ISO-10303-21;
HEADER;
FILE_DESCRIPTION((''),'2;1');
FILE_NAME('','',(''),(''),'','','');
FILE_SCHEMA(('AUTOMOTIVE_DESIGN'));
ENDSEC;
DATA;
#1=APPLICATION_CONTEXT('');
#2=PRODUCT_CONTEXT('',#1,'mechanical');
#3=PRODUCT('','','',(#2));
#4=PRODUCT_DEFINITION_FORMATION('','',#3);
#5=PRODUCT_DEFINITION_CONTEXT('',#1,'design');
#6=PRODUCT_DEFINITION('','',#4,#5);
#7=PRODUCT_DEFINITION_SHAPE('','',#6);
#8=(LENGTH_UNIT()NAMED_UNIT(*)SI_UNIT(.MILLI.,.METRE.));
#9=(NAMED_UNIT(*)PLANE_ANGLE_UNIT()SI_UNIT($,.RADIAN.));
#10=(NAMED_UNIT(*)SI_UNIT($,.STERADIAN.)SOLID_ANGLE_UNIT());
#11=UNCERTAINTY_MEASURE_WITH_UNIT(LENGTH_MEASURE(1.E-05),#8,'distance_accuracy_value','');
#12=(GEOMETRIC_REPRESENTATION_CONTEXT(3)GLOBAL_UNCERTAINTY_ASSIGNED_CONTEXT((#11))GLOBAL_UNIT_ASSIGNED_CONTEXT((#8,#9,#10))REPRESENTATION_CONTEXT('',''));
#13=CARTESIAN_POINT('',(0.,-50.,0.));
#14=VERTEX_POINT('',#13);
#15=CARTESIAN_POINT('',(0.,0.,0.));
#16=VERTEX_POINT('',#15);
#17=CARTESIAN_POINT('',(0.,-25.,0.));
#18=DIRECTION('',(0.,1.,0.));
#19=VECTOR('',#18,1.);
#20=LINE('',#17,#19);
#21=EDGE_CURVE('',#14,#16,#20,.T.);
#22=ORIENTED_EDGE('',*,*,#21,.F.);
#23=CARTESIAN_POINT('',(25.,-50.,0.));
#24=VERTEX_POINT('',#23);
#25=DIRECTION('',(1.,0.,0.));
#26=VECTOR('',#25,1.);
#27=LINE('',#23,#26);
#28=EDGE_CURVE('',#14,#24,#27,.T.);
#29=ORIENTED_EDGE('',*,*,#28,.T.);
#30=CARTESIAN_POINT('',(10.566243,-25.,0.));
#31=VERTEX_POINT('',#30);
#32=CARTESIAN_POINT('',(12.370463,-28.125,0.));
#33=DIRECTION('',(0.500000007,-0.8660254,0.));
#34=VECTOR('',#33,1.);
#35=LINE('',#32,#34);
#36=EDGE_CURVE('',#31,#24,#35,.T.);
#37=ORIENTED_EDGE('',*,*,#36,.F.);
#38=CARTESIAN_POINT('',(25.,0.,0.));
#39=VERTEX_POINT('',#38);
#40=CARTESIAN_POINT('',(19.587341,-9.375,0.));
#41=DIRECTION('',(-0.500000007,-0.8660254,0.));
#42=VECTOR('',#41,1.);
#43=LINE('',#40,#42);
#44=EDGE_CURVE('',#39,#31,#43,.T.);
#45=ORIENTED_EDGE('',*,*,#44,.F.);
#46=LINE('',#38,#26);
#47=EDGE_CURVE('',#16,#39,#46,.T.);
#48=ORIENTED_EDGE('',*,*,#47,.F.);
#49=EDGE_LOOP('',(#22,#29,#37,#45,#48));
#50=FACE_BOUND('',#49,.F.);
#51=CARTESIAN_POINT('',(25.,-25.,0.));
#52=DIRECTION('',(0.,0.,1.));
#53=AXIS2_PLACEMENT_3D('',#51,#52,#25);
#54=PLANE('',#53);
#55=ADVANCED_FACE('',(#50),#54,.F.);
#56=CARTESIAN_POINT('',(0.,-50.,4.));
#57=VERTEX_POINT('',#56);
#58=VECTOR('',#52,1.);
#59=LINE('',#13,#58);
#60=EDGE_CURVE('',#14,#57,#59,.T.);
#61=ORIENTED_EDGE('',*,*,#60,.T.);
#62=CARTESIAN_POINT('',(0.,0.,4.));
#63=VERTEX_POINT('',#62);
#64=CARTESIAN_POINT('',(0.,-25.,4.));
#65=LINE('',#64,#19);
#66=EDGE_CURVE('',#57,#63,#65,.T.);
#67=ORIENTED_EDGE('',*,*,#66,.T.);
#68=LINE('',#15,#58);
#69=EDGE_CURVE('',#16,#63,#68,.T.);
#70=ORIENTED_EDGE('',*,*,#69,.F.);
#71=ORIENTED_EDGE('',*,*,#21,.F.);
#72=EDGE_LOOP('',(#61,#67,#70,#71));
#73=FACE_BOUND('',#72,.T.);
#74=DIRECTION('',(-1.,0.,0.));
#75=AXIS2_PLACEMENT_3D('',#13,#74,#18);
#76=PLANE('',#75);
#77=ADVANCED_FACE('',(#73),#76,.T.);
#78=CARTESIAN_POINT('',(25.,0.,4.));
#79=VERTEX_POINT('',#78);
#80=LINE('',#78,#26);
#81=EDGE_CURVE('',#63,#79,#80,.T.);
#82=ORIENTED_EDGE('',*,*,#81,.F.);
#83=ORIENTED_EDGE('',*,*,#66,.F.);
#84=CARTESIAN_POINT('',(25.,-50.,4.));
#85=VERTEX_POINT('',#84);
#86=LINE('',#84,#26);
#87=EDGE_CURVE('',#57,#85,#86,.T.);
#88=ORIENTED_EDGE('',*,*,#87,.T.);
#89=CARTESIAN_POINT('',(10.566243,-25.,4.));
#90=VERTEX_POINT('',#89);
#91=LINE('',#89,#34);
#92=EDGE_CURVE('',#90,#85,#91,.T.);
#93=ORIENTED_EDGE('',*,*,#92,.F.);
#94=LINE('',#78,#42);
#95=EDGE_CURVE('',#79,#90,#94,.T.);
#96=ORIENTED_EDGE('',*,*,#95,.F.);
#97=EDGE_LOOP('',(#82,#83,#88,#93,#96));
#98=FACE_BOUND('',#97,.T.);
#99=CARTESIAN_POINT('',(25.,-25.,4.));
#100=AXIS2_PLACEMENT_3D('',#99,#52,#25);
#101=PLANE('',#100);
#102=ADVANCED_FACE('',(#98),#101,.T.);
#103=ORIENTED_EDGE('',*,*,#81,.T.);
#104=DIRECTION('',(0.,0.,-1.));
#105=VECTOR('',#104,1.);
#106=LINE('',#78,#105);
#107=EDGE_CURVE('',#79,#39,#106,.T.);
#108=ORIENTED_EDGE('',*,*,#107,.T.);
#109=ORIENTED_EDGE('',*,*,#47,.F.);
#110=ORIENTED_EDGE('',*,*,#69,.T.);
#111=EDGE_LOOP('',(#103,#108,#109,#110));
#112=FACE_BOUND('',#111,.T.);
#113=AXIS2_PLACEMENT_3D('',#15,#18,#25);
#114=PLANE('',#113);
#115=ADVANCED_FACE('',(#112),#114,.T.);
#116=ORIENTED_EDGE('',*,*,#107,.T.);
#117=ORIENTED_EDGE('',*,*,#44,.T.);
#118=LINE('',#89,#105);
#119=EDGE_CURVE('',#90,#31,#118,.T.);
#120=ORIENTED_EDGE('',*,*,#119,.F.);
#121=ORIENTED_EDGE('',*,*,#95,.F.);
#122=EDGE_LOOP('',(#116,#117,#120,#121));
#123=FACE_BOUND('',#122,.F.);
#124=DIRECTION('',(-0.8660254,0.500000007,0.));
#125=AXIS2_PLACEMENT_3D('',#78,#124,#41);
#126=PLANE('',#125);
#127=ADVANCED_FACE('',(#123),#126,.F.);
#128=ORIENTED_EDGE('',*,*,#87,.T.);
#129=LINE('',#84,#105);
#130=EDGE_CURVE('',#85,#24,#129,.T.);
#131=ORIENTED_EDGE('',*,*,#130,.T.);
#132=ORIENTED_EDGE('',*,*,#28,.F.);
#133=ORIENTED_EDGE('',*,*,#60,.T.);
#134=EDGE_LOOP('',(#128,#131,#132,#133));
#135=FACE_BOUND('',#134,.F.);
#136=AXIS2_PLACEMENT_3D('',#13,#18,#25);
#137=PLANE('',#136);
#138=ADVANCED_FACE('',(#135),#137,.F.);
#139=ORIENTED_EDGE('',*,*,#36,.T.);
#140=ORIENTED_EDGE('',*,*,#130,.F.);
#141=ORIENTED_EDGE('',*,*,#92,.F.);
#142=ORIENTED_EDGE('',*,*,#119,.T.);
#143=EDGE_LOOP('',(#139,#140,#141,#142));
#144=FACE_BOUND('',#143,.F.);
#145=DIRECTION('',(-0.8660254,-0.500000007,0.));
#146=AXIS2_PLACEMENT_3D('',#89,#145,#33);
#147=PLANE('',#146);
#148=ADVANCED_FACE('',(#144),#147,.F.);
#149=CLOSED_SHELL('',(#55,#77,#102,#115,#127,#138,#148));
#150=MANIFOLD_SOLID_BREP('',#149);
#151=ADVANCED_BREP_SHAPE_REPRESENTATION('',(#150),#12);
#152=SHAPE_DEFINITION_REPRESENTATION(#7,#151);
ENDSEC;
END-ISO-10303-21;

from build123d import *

# Parameters (mm, degrees)
F0_W     = 50
F0_H     = 50
F1_DEPTH = 4
F3_DEPTH = 4.001


with BuildPart() as f1:
    # F0 (on Top) → F1 (new body)
    with BuildSketch(Plane.XY):
        with Locations((25, -25)):
            Rectangle(F0_W, F0_H)
    extrude(amount=F1_DEPTH)

    # F2 (on face) → F3 (cut, through all)
    with BuildSketch(Plane.XY.offset(4)):
        Polygon((50, 0), (25, 0), (10.566243, -25), (25, -50), (50, -50), align=None)
    extrude(amount=-F3_DEPTH, mode=Mode.SUBTRACT)


solid = f1.part
